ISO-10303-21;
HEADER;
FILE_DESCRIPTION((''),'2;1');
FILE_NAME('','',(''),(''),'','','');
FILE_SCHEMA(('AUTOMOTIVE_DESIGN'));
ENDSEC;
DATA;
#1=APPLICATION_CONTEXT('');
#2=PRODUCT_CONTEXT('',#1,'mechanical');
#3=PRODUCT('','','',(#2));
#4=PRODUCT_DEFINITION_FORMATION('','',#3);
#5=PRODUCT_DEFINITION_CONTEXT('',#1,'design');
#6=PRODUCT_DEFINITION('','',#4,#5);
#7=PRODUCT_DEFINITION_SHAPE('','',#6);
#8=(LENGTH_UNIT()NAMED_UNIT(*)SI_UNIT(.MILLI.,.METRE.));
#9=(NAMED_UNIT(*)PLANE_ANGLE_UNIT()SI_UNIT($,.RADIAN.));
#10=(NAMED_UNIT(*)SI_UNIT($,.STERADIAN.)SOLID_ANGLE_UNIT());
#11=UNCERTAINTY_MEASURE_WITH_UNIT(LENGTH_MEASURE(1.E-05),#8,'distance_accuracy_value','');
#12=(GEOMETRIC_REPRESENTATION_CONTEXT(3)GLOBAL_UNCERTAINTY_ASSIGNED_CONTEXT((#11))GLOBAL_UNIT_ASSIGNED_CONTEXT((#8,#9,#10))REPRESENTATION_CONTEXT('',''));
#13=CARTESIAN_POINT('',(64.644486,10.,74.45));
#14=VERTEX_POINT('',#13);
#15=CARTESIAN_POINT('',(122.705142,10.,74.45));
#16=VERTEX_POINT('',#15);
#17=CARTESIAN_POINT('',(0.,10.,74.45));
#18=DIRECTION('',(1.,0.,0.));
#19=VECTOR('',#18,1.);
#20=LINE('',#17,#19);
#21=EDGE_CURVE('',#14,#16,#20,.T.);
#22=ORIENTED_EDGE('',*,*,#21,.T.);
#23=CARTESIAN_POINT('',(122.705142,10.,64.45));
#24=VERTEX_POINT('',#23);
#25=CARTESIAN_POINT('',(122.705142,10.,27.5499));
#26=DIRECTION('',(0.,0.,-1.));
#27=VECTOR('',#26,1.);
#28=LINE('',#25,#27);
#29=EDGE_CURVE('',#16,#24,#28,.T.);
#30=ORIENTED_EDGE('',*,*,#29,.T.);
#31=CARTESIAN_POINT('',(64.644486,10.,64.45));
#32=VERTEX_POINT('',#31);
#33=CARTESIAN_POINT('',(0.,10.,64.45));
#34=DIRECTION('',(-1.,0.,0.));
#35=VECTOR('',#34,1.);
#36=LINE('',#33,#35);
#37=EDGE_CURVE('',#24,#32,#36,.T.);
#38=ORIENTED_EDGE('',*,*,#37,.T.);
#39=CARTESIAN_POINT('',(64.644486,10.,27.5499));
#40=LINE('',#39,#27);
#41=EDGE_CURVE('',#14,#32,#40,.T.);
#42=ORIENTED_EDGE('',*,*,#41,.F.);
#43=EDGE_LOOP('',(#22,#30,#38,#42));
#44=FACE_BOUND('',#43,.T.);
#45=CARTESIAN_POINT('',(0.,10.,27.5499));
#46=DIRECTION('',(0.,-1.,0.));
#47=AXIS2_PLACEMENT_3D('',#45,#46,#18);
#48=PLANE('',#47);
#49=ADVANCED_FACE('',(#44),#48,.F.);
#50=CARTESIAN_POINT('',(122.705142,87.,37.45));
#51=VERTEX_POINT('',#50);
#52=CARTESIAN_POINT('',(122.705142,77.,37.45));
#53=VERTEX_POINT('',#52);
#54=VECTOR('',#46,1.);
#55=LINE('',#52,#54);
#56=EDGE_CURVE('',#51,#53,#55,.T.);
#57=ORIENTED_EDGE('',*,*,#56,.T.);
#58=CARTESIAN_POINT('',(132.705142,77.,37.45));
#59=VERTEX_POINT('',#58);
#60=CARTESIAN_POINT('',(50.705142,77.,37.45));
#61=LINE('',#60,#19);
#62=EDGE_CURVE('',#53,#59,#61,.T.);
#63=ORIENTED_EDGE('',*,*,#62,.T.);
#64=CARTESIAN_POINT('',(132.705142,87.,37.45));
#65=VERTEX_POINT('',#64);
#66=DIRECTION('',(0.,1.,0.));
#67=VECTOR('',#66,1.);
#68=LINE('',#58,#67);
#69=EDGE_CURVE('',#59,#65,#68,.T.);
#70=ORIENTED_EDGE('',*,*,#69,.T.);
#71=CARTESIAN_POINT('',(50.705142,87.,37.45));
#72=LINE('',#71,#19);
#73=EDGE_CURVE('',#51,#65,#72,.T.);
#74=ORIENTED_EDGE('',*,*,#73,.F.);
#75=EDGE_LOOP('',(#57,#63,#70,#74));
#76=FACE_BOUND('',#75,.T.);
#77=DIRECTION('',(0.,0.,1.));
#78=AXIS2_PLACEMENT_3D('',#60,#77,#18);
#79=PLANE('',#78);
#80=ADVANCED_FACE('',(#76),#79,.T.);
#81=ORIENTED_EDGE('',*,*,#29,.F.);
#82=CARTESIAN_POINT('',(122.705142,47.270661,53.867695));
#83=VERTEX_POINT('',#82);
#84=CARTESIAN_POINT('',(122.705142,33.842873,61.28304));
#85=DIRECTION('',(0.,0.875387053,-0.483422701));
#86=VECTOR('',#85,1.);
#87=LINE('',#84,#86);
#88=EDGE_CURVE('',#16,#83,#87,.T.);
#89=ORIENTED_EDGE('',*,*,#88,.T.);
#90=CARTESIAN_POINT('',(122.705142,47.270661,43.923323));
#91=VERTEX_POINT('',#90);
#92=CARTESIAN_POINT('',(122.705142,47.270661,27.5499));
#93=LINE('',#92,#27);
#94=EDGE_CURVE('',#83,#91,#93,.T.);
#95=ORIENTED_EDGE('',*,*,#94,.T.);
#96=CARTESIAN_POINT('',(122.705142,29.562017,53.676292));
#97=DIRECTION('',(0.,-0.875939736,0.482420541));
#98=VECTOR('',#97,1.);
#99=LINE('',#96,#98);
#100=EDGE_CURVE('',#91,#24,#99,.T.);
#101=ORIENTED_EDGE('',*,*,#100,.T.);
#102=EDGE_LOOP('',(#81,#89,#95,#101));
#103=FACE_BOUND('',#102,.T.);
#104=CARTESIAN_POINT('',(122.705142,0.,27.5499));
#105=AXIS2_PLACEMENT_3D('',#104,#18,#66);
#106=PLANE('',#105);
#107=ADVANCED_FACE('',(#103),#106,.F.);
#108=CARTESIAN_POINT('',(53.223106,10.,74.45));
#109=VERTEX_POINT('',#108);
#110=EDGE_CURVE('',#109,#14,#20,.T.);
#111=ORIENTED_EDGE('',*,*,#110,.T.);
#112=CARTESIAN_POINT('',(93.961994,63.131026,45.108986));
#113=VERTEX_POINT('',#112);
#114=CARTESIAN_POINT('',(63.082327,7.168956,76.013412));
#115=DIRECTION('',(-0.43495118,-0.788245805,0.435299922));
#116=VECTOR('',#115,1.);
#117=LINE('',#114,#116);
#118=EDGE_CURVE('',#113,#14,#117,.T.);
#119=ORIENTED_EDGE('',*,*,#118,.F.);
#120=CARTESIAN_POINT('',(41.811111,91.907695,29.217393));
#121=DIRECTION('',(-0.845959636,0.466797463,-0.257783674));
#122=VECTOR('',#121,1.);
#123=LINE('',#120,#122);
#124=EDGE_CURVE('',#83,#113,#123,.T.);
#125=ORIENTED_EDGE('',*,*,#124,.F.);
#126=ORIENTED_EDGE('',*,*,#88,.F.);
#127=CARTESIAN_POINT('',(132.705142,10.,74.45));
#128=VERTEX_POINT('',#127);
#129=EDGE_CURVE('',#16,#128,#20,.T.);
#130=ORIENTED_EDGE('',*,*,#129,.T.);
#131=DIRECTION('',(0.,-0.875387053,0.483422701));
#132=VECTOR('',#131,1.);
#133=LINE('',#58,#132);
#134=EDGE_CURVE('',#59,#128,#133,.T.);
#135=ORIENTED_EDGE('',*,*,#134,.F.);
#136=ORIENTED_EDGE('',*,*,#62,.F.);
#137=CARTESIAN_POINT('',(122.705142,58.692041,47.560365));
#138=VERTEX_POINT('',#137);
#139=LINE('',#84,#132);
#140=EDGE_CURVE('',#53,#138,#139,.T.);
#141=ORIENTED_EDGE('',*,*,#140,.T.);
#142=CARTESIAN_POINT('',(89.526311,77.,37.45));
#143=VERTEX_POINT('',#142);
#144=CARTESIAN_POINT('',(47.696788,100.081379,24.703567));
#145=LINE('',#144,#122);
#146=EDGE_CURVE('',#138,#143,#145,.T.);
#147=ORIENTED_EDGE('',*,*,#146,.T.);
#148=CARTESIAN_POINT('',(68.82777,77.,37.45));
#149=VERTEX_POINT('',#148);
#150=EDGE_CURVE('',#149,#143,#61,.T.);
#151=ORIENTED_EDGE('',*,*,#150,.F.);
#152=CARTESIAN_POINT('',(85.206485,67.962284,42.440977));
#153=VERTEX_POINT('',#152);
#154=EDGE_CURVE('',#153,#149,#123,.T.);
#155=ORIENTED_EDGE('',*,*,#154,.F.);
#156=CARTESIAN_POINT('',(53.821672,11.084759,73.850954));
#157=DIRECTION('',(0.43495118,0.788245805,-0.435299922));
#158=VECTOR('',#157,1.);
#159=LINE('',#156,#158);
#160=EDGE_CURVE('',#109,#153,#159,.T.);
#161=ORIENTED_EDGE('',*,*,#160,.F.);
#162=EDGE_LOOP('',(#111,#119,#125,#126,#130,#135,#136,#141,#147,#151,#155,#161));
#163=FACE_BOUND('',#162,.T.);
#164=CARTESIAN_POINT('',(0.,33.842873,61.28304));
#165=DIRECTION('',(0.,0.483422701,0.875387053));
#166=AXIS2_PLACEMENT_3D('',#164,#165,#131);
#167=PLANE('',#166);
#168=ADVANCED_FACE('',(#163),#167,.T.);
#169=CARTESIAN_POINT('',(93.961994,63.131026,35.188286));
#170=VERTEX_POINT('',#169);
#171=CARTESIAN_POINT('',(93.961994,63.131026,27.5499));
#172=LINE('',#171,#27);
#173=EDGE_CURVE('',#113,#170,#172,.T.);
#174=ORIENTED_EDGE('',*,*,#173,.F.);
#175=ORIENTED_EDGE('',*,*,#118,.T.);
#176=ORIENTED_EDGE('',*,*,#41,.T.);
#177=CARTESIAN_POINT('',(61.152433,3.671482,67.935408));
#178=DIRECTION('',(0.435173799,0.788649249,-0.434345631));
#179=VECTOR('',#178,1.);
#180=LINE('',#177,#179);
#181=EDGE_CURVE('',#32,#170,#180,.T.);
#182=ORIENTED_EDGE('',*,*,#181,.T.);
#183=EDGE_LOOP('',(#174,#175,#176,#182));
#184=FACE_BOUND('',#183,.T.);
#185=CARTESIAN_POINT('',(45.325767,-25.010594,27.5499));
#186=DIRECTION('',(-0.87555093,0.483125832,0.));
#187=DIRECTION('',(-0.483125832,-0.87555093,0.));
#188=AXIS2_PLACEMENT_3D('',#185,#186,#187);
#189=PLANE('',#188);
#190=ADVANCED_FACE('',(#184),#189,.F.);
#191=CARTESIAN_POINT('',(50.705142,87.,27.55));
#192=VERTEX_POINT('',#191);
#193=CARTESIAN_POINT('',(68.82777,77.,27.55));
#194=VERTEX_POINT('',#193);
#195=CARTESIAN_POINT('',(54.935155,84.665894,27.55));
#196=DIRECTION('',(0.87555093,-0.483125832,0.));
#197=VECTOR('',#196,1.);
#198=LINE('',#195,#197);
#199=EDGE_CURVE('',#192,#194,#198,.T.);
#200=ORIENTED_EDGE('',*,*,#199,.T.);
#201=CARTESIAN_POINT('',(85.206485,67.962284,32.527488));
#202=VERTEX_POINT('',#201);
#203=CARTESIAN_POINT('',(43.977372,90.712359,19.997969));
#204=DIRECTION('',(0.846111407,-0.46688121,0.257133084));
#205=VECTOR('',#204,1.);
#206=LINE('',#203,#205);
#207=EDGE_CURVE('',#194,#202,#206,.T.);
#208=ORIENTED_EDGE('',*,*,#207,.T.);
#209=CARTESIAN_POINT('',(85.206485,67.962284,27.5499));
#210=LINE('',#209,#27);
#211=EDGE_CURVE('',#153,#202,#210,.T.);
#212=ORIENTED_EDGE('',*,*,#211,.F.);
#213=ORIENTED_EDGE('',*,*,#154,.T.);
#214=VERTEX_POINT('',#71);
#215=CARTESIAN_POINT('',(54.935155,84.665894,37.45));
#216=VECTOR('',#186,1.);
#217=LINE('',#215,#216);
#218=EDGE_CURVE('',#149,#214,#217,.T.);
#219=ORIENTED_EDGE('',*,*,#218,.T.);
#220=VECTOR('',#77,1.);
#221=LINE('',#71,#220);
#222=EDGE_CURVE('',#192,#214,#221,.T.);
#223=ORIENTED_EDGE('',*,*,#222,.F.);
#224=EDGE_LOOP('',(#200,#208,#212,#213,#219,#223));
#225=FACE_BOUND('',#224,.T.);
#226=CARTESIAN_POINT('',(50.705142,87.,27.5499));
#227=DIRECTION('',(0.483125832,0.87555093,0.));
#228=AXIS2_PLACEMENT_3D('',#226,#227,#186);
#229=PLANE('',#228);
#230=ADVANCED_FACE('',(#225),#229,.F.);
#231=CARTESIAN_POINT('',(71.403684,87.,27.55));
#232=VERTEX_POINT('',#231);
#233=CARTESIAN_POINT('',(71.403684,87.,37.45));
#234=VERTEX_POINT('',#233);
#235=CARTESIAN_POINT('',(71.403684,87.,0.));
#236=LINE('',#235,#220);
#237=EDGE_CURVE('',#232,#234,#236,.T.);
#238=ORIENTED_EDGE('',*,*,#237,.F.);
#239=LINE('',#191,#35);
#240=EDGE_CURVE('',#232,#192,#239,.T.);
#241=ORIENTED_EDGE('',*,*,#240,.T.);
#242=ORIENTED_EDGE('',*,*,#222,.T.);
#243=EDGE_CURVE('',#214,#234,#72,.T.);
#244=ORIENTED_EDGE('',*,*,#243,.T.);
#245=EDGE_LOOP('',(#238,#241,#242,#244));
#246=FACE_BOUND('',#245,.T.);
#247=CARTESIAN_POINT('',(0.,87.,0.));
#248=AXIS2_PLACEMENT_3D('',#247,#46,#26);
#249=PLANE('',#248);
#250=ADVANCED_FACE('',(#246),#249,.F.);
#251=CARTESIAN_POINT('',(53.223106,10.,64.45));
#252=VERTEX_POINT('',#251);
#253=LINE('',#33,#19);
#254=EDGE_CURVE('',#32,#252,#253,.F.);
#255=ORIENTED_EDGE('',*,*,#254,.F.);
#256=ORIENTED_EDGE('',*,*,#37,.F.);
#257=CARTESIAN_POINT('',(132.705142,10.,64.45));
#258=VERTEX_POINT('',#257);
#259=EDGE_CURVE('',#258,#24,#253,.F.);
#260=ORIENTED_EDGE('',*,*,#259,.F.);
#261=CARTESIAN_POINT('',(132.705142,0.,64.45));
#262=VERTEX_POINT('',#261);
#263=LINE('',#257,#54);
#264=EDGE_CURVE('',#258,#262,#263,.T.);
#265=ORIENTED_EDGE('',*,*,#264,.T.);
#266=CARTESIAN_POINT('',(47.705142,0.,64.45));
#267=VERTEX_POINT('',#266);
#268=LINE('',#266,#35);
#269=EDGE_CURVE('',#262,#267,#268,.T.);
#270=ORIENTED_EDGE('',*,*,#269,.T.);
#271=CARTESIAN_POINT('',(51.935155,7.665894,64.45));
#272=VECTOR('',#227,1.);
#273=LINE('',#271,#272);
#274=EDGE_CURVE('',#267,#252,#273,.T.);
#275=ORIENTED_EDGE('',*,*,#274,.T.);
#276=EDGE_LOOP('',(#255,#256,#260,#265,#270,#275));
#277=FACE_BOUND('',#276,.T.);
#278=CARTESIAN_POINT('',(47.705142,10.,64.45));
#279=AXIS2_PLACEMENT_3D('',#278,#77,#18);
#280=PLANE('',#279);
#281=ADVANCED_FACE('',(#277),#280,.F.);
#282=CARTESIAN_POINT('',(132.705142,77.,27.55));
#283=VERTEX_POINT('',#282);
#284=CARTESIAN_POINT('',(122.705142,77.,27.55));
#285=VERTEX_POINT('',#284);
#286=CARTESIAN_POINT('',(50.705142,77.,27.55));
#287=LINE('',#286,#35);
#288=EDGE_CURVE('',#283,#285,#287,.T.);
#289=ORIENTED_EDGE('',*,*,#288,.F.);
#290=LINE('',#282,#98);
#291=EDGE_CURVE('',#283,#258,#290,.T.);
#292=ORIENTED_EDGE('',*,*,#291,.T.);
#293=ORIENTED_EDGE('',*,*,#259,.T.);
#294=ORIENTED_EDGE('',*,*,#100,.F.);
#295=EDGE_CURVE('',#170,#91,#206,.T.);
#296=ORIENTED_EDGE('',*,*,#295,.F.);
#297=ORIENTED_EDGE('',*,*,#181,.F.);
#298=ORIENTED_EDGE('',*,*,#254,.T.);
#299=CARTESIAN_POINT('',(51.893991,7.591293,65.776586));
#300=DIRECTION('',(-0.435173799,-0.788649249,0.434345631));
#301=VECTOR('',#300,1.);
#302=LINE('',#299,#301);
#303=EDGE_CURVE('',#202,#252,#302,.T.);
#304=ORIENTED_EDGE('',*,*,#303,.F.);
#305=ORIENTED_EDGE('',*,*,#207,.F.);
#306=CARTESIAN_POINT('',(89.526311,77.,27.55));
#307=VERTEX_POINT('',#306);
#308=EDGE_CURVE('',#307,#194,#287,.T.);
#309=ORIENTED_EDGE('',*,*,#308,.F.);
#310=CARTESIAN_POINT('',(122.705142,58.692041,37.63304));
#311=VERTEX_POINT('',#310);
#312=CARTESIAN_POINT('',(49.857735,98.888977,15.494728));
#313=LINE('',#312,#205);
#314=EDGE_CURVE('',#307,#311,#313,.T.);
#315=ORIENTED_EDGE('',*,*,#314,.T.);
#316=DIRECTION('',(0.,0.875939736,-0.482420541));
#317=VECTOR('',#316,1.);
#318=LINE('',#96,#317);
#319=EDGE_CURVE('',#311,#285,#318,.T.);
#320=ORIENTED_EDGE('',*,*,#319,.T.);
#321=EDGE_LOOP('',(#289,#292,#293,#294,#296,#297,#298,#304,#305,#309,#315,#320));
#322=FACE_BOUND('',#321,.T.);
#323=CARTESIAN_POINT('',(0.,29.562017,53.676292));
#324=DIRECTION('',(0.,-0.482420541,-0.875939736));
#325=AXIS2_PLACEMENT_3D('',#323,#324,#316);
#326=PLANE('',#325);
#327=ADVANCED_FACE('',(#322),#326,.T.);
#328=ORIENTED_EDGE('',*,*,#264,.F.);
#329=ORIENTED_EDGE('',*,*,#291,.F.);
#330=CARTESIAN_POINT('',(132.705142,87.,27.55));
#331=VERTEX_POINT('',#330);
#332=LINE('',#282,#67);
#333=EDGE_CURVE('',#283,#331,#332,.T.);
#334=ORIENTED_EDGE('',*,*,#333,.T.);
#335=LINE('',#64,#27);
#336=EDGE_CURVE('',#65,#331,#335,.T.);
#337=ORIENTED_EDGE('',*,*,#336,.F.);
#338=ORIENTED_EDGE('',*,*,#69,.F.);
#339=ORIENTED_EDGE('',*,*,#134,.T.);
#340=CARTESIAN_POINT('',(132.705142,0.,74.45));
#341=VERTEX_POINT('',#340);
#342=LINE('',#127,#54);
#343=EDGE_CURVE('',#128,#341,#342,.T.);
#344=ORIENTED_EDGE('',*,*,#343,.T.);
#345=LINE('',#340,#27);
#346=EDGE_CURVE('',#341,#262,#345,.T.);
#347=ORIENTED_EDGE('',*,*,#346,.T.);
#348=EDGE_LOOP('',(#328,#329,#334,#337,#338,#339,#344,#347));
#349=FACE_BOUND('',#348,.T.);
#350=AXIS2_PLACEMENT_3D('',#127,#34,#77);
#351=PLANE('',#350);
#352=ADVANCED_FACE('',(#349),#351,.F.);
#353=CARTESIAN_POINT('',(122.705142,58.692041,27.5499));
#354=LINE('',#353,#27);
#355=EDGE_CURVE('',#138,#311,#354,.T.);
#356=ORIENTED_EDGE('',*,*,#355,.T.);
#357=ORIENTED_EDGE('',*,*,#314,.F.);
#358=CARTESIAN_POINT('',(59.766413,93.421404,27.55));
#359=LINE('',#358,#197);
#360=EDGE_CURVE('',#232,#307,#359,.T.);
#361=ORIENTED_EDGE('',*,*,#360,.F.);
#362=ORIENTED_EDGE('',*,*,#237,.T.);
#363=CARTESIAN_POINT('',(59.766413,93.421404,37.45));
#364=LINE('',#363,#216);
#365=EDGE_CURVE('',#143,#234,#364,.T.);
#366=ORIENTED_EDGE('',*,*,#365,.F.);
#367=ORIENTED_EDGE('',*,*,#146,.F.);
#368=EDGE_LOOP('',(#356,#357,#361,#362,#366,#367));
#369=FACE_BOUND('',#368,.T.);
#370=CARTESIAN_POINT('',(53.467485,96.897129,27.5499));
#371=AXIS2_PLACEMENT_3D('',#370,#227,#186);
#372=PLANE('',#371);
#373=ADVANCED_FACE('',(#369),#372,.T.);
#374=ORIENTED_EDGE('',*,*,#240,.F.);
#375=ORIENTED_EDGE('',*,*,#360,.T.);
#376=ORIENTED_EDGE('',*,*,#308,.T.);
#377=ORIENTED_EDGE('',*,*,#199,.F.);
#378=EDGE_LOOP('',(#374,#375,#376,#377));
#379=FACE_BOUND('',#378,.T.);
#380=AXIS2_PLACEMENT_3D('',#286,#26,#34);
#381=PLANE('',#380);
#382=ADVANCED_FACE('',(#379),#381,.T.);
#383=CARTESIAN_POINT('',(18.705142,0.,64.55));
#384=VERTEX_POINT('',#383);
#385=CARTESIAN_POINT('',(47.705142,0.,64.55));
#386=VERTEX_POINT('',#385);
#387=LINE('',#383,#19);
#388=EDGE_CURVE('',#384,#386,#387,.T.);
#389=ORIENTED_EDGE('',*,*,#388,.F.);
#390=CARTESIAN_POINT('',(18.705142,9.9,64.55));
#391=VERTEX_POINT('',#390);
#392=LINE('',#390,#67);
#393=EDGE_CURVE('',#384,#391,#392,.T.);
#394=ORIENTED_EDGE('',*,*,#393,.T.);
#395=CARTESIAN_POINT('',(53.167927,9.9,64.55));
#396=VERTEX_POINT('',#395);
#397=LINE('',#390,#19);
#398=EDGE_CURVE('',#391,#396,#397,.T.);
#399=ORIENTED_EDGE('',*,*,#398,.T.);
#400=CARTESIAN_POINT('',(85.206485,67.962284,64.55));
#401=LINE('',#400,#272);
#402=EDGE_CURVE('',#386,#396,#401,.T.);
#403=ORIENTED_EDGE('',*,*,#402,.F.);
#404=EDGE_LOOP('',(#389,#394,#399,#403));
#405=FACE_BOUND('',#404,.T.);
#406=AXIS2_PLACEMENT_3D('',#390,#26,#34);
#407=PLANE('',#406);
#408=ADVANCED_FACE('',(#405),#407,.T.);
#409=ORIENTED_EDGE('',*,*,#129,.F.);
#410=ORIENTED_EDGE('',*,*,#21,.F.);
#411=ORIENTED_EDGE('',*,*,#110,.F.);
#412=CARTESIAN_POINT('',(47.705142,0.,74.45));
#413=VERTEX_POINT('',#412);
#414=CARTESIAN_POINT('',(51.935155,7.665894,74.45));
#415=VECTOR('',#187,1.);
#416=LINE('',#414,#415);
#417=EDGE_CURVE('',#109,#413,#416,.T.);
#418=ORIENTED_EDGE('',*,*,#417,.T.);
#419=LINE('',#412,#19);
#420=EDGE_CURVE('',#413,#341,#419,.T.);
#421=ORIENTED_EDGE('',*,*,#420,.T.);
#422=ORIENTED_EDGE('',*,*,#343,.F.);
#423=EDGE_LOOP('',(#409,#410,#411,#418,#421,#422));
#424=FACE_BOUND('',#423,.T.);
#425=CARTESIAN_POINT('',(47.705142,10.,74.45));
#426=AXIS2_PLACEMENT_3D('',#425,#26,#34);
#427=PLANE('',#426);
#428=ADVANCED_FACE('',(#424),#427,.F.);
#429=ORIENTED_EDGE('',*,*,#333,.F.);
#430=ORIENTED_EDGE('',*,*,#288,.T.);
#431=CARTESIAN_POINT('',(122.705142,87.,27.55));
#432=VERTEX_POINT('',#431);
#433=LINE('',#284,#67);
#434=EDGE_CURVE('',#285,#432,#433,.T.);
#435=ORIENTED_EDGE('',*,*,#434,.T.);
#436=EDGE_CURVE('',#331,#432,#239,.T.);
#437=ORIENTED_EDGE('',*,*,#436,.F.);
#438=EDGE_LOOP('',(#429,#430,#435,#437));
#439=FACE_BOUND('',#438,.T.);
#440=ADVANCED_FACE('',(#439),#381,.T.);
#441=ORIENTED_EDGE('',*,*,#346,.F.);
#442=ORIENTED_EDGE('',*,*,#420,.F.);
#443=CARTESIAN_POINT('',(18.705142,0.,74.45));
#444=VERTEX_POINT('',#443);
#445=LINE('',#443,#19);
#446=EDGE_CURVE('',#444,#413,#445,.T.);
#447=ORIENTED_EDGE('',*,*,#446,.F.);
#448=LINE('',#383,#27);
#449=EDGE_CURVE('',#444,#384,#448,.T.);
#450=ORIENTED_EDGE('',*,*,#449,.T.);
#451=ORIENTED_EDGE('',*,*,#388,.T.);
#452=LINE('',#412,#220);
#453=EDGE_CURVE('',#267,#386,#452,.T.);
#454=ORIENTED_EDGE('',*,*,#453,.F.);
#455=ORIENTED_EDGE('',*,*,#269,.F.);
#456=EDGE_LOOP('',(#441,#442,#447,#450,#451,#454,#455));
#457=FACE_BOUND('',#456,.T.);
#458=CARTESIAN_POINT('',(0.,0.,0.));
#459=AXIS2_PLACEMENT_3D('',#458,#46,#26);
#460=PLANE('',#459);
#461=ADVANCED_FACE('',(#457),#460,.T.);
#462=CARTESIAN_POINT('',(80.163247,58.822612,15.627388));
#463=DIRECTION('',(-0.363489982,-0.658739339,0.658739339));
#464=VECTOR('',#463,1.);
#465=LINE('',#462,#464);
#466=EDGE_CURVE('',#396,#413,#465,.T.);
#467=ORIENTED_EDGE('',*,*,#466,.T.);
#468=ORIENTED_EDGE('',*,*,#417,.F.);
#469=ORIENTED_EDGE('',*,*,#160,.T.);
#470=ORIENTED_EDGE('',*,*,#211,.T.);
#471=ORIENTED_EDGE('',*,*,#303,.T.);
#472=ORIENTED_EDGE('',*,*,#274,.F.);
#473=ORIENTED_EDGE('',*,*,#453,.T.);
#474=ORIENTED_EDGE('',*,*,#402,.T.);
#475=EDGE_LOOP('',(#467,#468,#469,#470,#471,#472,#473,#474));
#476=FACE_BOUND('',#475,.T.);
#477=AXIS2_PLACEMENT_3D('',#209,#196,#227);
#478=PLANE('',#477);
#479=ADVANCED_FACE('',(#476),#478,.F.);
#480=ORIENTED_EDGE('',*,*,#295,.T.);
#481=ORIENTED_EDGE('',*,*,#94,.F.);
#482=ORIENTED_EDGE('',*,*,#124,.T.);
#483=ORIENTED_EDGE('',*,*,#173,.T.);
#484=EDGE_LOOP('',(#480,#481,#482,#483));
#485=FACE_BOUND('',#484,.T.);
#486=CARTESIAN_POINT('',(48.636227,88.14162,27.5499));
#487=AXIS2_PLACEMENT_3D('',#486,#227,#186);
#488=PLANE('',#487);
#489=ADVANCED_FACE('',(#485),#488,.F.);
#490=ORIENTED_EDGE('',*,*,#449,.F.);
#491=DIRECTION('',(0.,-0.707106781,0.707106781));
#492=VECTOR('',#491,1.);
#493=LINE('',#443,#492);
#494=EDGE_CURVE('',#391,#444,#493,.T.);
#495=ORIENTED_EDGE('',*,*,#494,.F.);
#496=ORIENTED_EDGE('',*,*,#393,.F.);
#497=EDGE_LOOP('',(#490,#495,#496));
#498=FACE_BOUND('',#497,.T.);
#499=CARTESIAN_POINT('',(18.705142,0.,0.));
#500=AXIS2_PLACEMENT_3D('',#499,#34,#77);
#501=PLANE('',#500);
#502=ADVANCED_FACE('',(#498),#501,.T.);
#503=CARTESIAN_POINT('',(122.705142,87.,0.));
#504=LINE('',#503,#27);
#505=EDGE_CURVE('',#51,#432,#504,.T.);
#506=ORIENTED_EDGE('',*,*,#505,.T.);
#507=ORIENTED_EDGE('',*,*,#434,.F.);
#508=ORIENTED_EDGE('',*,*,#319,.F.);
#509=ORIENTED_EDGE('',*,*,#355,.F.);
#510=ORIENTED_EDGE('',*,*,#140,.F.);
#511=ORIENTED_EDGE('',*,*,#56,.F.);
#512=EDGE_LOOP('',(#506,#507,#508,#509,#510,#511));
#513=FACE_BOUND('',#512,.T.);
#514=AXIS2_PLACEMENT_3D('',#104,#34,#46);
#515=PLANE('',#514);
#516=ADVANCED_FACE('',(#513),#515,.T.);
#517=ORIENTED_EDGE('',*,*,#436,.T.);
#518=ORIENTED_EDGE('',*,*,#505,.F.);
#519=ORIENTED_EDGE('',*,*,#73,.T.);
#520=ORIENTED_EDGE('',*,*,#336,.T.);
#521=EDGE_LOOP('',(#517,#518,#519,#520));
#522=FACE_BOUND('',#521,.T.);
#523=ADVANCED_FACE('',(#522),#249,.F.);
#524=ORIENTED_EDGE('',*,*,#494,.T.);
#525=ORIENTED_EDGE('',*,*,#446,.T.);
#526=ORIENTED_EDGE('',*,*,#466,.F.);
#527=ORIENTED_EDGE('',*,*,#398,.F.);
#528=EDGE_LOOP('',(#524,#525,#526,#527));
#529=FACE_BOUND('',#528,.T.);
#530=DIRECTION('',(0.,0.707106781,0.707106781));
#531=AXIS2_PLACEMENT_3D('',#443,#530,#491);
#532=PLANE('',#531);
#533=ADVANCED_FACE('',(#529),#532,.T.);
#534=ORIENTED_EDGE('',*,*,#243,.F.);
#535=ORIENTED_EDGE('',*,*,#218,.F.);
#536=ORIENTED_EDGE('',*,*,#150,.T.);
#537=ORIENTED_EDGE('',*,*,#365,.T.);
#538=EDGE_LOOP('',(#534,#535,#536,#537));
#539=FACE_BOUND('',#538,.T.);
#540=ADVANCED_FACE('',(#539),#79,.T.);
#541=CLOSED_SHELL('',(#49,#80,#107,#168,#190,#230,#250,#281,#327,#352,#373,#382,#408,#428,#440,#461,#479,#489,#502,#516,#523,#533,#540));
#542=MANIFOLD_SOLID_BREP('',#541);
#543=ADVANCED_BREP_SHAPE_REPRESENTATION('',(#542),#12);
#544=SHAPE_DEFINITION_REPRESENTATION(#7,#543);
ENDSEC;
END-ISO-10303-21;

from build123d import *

# Parameters (mm, degrees)
SKETCH8_W               = 85
SKETCH8_H               = 10
BOSS_EXTRUDE4_DEPTH     = 10
SKETCH9_W               = 82
SKETCH9_H               = 9.9
BOSS_EXTRUDE5_DEPTH     = 10
CUT_EXTRUDE2_DEPTH      = 176.278228509
CUT_EXTRUDE2_DEPTH_BACK = 176.278228509
BOSS_EXTRUDE6_DEPTH     = 114


with BuildPart() as part:
    # Sketch8 → Boss-Extrude4 (new body)
    with BuildSketch(Plane(origin=(0, 0, 0), x_dir=(1, 0, 0), z_dir=(0, 1, 0))):
        with Locations((90.205142442, -69.45)):
            Rectangle(SKETCH8_W, SKETCH8_H)
    extrude(amount=BOSS_EXTRUDE4_DEPTH)


with BuildPart() as body_2:
    # Sketch9 → Boss-Extrude5 (new body)
    with BuildSketch(Plane(origin=(0, 87, 0), x_dir=(1, 0, 0), z_dir=(0, 1, 0))):
        with Locations((91.705142442, -32.5)):
            Rectangle(SKETCH9_W, SKETCH9_H)
    extrude(amount=-BOSS_EXTRUDE5_DEPTH)


    add(part.part)  # loft1 joins it to this body
    # loft from a face of the part (loft1)
    loft([body_2.faces().sort_by_distance((91.705142442, 77, 32.5))[0], body_2.faces().sort_by_distance((90.205142442, 10, 69.45))[0]])

    # Sketch1 → Cut-Extrude2 (cut, two sides)
    with BuildSketch(Plane.XY) as cut_extrude2_sk:
        Polygon((122.705142442, 87), (71.403683768, 87), (122.705142442, 58.6920409), align=None)
        Polygon((64.644486366, 10), (93.961994057, 63.13102594), (122.705142442, 47.270660759), (122.705142442, 10), align=None)
        Polygon((47.705142442, 0), (40.860670667, 0), (50.705142442, 87), (85.206484761, 67.96228426), align=None)
    extrude(amount=CUT_EXTRUDE2_DEPTH, mode=Mode.SUBTRACT)
    extrude(cut_extrude2_sk.sketch, amount=-CUT_EXTRUDE2_DEPTH_BACK, mode=Mode.SUBTRACT)

    # Sketch10 → Boss-Extrude6 (add)
    with BuildSketch(Plane(origin=(132.705142442, 0, 0), x_dir=(0, 0, -1), z_dir=(1, 0, 0))):
        Polygon((-64.55, 9.9), (-64.55, 0), (-74.45, 0), align=None)
    extrude(amount=-BOSS_EXTRUDE6_DEPTH)


solid = body_2.part
